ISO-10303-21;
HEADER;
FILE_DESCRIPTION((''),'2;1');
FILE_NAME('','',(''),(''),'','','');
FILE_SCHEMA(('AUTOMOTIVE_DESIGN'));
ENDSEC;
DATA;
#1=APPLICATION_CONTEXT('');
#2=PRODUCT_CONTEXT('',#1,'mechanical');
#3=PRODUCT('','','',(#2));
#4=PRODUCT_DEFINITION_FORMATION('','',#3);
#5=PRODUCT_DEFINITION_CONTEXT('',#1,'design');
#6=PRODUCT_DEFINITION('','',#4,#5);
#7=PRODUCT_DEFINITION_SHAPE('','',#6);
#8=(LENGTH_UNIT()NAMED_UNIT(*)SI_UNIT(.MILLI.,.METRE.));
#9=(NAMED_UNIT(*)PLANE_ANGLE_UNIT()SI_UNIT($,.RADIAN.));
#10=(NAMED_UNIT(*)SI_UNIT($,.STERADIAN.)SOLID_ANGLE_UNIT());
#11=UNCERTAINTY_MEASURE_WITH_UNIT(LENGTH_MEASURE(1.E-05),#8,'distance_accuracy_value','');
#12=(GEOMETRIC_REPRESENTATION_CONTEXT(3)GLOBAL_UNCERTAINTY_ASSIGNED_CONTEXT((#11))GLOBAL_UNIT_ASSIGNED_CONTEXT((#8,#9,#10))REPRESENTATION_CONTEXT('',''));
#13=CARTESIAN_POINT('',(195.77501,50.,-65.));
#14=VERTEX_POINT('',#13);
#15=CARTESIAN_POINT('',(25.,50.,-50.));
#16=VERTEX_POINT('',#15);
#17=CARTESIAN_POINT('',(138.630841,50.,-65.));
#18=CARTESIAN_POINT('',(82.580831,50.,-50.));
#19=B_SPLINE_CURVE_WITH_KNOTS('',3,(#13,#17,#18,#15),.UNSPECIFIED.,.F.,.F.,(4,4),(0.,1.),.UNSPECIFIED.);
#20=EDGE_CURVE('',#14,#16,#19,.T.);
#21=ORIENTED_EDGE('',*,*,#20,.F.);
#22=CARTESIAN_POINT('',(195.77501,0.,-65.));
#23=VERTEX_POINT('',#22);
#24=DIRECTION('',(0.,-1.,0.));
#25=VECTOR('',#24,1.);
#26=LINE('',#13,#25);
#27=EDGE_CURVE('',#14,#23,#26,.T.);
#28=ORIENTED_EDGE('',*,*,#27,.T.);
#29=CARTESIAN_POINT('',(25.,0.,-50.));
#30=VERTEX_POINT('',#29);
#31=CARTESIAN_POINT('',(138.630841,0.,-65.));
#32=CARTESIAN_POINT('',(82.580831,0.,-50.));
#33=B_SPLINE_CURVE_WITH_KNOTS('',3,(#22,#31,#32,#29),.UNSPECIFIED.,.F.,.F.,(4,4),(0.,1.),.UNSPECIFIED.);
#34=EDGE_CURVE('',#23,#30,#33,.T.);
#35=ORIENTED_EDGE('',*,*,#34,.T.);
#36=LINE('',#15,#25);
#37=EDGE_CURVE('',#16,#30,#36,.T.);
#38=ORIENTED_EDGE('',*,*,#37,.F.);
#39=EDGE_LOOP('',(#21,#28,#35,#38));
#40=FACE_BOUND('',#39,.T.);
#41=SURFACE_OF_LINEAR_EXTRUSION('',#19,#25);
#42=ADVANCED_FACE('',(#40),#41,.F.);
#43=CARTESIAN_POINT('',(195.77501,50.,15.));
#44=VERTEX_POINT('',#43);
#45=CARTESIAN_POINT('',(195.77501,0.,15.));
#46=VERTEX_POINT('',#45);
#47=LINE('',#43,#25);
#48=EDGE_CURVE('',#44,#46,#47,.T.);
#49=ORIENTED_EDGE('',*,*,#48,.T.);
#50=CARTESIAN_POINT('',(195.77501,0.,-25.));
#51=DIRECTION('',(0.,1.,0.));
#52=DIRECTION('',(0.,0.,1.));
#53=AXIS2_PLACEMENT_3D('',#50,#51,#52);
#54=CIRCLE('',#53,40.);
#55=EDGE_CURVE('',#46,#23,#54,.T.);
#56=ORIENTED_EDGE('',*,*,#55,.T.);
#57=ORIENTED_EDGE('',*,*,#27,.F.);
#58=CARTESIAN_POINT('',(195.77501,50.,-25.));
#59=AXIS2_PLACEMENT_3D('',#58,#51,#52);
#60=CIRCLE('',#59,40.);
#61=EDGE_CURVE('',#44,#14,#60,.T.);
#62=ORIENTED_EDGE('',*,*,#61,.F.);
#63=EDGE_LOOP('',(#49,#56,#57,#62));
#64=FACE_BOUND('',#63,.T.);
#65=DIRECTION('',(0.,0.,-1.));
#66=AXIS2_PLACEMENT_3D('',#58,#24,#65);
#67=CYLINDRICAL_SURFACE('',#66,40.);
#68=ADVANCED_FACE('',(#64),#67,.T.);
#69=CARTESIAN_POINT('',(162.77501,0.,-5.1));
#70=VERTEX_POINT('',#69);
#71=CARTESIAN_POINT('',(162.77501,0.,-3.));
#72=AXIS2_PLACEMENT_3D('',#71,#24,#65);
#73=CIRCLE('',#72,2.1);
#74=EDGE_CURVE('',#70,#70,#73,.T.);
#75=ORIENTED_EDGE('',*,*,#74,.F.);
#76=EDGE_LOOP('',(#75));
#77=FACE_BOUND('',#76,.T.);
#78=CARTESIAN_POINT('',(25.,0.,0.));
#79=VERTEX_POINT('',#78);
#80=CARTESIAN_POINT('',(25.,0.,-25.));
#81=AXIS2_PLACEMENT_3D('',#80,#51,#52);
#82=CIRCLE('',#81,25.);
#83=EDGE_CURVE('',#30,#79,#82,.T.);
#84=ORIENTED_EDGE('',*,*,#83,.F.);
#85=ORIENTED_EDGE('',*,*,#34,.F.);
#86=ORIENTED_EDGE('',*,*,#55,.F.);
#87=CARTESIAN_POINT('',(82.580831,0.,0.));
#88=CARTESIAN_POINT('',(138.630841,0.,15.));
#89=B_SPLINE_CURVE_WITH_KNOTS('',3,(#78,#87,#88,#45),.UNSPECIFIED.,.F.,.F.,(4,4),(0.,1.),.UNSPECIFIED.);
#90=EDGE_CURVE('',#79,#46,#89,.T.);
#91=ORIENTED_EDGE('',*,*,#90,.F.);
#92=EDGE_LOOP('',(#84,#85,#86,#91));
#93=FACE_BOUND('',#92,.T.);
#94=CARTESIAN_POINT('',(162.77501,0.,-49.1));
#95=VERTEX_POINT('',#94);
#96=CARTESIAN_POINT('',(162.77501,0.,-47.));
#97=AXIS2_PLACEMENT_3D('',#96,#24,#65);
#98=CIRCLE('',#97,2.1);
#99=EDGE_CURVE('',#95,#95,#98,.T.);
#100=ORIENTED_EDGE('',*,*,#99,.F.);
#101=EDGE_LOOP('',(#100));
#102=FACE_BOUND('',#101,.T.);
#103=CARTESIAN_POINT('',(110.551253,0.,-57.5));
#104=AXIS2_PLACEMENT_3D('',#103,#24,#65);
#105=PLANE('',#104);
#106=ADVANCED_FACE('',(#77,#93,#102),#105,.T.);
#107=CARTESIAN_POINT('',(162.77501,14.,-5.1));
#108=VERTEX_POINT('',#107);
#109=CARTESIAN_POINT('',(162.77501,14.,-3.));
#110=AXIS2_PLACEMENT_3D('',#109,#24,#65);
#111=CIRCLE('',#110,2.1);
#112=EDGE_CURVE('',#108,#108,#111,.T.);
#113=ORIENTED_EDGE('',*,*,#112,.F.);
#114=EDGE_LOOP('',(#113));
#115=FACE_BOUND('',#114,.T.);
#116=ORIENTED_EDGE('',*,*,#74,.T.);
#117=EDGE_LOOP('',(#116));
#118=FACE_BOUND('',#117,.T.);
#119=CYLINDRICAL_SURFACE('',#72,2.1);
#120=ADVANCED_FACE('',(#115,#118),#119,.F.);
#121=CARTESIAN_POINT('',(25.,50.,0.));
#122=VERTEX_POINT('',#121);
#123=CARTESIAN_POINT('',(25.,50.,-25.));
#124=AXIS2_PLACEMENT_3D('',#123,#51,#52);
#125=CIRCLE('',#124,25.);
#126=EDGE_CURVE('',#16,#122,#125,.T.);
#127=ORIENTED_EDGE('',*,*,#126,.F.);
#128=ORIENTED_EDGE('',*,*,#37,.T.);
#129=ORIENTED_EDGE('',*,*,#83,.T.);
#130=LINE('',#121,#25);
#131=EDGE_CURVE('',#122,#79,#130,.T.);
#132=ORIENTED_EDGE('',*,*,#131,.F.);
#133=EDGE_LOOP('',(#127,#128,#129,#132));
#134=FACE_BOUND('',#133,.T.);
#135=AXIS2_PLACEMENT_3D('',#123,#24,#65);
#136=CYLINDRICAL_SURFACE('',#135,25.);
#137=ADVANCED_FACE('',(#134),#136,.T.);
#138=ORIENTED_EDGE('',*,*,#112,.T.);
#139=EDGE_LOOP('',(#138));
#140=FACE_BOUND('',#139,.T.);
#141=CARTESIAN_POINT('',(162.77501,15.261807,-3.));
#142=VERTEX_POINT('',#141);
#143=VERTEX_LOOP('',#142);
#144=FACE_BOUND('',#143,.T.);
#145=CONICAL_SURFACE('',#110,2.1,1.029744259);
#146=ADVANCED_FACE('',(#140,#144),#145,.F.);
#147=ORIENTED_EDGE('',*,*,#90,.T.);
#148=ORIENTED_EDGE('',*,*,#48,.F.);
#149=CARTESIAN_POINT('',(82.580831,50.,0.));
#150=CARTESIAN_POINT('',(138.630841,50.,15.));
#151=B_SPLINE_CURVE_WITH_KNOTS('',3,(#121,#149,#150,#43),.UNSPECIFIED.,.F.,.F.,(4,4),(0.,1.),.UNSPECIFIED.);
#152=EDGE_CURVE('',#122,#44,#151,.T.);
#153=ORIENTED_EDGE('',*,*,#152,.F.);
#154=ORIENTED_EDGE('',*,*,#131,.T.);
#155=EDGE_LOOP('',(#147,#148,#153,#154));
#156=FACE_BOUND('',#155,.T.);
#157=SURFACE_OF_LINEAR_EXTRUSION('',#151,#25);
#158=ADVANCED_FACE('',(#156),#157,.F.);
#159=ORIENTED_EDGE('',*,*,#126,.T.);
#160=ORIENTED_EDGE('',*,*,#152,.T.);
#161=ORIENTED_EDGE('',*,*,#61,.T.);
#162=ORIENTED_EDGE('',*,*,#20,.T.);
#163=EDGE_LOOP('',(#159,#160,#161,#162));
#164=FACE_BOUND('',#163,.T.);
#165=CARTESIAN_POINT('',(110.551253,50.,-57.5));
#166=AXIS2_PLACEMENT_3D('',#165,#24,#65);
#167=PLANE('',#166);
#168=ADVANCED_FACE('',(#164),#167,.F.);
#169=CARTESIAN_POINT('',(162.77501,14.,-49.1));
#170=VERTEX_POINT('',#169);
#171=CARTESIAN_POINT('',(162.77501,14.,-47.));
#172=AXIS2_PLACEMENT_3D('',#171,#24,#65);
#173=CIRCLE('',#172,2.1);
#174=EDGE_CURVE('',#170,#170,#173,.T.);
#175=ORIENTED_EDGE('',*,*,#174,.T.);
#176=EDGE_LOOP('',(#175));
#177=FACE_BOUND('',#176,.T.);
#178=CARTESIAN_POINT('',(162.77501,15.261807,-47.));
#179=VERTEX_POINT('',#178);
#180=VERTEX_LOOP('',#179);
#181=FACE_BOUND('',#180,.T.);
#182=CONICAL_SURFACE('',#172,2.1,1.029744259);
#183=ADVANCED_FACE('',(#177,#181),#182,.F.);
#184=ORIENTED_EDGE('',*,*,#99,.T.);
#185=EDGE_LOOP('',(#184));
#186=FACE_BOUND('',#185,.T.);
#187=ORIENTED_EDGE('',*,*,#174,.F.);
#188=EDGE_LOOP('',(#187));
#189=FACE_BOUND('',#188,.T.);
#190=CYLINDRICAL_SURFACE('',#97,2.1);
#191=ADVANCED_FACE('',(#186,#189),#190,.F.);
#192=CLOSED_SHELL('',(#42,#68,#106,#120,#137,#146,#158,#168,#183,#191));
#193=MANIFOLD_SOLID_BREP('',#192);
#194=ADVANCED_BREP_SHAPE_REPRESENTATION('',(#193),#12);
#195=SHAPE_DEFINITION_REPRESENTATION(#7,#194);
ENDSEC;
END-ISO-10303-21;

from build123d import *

# Parameters (mm, degrees)
BOSS_EXTRUDE1_DEPTH   = 50
M5_TAPPED_HOLE1_D     = 4.2
M5_TAPPED_HOLE1_DEPTH = 14
M5_TAPPED_HOLE1_TIP   = 1.2618073


with BuildPart() as part:
    # Sketch1 → Boss-Extrude1 (new body)
    with BuildSketch(Plane(origin=(0, 0, 0), x_dir=(1, 0, 0), z_dir=(0, 1, 0))):
        with BuildLine():
            ThreePointArc((25, 50), (0, 25), (25, 0))
            add(Edge.make_bspline(
                [(25, 0), (82.580830765, 0), (138.63084141, -15), (195.775010008, -15)],
                knots=[0, 0, 0, 0, 1, 1, 1, 1], degree=3))
            ThreePointArc((195.775010008, -15), (235.775010008, 25), (195.775010008, 65))
            add(Edge.make_bspline(
                [(25, 50), (82.580830765, 50), (138.63084141, 65), (195.775010008, 65)],
                knots=[0, 0, 0, 0, 1, 1, 1, 1], degree=3))
        make_face()
    extrude(amount=BOSS_EXTRUDE1_DEPTH)

    # M5 Tapped Hole1
    with Locations(Plane(origin=(0, 0, 0), x_dir=(-1, 0, 0), z_dir=(0, -1, 0))):
        with Locations((-162.775010008, 3), (-162.775010008, 47)):
            Hole(M5_TAPPED_HOLE1_D / 2, depth=M5_TAPPED_HOLE1_DEPTH)
            with Locations((0, 0, -(M5_TAPPED_HOLE1_DEPTH + M5_TAPPED_HOLE1_TIP / 2))):  # 118° drill point
                Cone(0, M5_TAPPED_HOLE1_D / 2, M5_TAPPED_HOLE1_TIP, mode=Mode.SUBTRACT)


solid = part.part
